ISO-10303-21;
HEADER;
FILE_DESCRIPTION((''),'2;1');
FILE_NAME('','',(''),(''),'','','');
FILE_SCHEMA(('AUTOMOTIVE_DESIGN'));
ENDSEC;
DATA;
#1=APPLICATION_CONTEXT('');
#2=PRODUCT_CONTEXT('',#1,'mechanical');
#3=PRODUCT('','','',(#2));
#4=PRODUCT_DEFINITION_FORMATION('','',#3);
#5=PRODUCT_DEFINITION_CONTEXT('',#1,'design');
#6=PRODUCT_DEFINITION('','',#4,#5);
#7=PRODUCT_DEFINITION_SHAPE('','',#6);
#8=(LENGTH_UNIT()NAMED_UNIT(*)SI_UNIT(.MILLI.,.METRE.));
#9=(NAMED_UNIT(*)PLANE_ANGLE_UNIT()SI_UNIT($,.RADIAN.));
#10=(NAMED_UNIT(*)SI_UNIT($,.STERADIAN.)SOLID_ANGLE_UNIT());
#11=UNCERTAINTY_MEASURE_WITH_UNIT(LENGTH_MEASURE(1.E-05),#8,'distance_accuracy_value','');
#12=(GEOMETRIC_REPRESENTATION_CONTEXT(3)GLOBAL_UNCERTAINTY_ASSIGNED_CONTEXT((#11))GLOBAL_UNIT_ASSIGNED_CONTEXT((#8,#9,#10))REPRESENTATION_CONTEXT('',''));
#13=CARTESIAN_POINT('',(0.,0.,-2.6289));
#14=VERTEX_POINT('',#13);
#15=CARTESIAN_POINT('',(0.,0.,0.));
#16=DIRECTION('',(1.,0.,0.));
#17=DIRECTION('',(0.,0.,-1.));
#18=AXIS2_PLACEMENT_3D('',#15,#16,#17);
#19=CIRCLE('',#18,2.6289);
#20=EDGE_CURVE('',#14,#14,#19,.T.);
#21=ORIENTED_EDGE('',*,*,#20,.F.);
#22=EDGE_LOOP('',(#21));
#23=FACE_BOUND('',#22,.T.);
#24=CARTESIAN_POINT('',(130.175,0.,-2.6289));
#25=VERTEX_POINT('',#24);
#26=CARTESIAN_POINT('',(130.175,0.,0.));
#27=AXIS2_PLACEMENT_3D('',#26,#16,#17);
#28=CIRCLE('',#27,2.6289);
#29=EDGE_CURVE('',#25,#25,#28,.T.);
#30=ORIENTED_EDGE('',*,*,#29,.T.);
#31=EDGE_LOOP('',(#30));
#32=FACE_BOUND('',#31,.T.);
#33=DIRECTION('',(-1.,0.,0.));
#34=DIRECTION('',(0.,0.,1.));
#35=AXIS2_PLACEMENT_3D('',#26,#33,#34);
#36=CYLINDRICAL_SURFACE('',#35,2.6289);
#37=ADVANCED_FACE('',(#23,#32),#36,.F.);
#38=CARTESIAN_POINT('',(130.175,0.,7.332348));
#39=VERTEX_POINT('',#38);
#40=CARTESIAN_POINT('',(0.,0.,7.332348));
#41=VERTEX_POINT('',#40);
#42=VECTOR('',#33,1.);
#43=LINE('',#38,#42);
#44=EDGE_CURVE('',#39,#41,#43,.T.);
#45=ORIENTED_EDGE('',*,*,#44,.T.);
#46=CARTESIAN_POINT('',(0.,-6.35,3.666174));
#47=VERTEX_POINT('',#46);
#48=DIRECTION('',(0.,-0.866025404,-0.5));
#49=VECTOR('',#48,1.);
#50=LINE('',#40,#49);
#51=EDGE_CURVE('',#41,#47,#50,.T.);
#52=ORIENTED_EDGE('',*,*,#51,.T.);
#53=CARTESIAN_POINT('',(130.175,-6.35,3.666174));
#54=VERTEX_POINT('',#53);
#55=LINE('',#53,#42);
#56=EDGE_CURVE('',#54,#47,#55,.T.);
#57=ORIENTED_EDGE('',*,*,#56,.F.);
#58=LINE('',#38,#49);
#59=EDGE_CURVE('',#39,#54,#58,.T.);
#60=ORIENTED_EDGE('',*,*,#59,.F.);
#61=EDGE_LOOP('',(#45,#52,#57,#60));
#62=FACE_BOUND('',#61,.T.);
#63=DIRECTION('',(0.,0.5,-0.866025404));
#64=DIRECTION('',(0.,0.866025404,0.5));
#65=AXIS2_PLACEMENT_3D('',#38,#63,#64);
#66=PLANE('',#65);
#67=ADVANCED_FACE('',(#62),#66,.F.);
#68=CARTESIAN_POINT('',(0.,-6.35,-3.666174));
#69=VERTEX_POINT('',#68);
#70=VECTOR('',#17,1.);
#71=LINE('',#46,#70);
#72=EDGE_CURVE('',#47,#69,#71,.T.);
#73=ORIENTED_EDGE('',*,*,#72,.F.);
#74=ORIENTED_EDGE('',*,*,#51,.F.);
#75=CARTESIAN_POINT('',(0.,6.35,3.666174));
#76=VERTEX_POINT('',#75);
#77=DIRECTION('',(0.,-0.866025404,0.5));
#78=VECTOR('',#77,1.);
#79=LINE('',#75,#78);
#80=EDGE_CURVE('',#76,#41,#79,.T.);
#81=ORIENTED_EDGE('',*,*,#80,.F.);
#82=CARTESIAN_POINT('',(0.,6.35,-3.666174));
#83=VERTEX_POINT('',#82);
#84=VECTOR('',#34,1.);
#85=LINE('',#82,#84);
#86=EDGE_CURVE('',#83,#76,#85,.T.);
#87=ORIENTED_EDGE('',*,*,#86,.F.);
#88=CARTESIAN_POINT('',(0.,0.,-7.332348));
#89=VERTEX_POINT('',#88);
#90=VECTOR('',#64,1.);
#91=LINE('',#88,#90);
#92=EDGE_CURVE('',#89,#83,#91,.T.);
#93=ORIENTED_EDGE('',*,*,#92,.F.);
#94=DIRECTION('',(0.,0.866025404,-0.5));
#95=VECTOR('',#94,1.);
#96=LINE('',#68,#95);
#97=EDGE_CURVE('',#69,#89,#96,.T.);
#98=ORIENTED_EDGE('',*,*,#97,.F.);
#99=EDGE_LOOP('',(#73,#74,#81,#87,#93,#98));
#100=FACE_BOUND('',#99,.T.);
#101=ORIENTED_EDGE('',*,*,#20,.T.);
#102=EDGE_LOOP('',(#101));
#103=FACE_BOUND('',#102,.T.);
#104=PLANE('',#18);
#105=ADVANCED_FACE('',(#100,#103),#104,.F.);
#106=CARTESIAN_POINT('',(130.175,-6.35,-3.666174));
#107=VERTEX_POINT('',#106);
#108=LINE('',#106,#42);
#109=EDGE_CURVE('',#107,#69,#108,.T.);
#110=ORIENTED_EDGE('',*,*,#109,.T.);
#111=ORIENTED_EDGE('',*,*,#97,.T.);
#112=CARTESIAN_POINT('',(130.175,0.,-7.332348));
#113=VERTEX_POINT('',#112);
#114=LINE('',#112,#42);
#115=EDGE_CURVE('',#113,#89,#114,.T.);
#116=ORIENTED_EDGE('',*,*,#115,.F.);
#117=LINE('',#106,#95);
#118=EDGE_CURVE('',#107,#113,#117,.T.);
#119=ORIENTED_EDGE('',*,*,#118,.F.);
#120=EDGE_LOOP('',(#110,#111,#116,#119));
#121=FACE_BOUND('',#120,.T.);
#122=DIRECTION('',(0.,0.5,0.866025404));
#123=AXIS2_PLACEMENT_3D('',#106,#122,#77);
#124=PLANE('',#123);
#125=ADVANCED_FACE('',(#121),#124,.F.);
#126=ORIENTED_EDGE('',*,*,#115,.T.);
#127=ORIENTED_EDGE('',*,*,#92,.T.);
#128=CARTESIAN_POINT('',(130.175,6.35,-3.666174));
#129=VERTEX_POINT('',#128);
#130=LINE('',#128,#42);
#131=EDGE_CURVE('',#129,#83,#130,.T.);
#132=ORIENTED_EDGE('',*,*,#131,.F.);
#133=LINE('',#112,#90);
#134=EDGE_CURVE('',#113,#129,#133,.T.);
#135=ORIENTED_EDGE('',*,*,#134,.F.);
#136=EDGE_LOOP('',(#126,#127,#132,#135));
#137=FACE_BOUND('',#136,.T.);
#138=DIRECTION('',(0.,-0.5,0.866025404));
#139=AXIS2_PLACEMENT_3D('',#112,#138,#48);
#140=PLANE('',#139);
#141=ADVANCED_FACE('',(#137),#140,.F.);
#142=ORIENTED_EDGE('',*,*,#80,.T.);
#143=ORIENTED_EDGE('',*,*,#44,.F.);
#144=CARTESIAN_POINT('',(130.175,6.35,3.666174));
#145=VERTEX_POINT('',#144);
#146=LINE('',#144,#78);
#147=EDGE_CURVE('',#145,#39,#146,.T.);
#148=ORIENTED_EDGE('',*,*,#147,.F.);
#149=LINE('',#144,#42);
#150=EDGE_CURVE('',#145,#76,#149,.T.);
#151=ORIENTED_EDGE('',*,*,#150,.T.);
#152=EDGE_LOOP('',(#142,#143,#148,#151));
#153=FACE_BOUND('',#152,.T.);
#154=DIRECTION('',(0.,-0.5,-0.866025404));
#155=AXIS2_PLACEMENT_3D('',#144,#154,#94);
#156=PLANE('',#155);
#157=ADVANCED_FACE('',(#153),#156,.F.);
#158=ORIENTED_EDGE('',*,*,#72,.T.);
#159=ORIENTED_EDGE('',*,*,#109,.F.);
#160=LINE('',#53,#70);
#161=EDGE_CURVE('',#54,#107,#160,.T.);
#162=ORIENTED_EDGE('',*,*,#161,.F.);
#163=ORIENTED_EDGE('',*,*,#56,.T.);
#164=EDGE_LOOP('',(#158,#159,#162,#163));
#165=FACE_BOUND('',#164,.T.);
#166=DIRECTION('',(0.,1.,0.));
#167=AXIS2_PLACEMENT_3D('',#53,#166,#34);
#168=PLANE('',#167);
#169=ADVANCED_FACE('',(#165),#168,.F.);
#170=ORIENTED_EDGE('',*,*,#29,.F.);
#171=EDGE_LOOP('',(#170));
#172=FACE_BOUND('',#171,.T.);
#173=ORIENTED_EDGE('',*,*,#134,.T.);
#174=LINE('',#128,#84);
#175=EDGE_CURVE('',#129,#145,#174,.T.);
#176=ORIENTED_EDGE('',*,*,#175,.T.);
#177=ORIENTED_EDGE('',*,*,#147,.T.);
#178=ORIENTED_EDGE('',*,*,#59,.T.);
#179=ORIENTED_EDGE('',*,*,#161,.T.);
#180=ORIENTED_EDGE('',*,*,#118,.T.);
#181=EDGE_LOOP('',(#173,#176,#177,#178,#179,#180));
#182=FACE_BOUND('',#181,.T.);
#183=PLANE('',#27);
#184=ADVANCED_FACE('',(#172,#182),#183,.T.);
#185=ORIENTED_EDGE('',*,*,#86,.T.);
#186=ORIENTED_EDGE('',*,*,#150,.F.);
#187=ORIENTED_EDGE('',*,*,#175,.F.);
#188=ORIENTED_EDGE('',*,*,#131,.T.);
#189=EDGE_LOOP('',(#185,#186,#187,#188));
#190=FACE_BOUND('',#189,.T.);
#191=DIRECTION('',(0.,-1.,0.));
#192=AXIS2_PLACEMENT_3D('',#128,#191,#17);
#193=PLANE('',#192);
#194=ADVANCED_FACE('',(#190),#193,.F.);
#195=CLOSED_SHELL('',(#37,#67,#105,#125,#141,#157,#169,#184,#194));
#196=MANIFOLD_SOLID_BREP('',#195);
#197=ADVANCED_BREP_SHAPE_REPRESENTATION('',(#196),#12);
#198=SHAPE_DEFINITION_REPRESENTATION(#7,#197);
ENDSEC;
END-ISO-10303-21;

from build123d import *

# Parameters (mm, degrees)
SKETCH1_R           = 2.6289
BOSS_EXTRUDE1_DEPTH = 130.175


with BuildPart() as part:
    # Sketch1 → Boss-Extrude1 (new body)
    with BuildSketch(Plane(origin=(0, 0, 0), x_dir=(0, 0, -1), z_dir=(1, 0, 0))):
        Polygon((3.666174209, 6.35), (-3.666174209, 6.35), (-7.332348419, 0), (-3.666174209, -6.35), (3.666174209, -6.35), (7.332348419, 0), align=None)
        Circle(SKETCH1_R, mode=Mode.SUBTRACT)
    extrude(amount=BOSS_EXTRUDE1_DEPTH)


solid = part.part
